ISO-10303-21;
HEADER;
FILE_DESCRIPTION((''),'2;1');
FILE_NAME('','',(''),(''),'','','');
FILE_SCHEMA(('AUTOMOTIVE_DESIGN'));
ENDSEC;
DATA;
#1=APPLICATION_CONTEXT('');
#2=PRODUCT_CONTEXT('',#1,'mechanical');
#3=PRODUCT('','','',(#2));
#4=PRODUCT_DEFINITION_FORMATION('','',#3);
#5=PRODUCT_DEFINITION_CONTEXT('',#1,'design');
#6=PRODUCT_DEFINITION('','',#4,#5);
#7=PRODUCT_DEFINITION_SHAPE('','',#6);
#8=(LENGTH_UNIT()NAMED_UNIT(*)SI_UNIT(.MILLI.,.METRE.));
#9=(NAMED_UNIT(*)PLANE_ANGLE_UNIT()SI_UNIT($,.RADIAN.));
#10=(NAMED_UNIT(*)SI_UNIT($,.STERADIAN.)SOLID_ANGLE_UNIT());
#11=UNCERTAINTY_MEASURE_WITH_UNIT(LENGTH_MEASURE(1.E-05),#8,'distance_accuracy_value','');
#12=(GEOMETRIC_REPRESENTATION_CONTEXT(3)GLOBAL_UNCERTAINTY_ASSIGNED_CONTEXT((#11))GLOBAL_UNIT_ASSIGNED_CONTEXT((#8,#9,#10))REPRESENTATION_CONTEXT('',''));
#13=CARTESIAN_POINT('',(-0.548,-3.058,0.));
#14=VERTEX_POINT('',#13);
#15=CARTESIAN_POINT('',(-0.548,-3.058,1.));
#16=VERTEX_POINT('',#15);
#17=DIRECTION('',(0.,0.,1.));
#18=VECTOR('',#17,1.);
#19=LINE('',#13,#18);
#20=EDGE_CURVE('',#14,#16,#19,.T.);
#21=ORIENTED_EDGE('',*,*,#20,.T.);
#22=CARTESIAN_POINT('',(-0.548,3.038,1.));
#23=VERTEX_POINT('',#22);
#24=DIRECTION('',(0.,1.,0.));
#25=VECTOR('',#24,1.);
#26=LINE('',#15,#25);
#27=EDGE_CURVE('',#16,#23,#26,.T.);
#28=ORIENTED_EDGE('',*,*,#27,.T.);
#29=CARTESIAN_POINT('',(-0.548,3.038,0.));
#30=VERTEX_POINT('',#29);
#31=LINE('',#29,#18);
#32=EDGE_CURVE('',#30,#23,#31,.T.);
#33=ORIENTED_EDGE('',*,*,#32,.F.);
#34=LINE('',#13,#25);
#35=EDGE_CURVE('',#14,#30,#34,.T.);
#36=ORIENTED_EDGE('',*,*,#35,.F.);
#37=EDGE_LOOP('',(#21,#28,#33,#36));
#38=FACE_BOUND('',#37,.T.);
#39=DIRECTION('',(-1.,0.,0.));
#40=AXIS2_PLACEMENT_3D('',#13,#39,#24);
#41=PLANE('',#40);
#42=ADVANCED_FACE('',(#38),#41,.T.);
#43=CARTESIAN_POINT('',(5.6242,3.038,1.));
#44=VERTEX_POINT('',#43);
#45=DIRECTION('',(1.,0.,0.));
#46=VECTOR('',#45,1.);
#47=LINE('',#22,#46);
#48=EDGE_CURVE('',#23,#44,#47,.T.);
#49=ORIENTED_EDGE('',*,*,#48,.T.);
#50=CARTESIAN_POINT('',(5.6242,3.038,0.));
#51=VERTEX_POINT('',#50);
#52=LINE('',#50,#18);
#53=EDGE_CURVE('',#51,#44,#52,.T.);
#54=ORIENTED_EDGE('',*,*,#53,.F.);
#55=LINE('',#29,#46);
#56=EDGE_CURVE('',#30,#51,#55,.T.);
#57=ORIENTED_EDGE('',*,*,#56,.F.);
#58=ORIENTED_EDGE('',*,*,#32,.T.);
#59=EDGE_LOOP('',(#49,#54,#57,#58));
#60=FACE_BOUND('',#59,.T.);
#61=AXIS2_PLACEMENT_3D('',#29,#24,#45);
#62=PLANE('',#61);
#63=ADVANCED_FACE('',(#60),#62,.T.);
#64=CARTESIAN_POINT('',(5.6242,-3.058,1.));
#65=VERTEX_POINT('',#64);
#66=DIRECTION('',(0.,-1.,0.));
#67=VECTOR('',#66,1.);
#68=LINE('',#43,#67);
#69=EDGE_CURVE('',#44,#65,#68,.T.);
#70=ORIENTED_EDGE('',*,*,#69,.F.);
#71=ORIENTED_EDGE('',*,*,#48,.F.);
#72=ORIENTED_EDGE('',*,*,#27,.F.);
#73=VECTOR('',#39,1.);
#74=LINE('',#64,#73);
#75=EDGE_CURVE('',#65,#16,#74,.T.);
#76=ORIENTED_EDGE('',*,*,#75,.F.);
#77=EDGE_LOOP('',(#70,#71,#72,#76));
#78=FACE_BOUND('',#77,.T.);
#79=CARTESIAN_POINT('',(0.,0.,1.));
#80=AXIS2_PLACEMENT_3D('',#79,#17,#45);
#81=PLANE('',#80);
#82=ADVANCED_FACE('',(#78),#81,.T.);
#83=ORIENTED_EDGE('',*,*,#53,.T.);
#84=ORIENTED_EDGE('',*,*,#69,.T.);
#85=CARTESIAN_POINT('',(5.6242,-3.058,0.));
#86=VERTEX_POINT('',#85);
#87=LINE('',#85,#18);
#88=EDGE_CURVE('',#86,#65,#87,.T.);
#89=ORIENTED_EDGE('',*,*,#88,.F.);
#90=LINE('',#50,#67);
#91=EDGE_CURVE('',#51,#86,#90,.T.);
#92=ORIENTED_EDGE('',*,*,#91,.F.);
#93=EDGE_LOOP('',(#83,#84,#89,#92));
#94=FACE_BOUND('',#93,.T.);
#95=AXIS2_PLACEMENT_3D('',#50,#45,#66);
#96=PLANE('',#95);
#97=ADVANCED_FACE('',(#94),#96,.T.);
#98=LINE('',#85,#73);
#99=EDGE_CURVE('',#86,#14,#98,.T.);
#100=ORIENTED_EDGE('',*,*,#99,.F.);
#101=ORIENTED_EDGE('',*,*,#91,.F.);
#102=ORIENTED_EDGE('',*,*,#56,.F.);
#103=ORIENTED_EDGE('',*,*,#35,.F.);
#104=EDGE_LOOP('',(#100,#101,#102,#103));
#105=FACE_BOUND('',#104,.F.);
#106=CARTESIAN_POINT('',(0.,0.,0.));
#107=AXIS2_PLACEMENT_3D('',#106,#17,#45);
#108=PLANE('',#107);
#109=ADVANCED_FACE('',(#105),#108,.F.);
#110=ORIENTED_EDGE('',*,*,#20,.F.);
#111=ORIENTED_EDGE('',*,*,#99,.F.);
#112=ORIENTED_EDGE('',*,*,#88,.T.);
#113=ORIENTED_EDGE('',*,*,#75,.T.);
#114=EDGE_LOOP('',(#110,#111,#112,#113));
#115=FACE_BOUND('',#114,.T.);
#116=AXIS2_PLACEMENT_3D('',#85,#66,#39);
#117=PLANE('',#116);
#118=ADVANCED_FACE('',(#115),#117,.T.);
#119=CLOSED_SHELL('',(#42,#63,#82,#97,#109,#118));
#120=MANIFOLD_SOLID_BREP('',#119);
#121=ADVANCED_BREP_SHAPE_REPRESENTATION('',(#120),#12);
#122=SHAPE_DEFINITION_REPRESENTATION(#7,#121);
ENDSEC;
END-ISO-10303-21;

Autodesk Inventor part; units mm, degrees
ref_plane "YZ Plane" through (0, 0, 0) normal (1, 0, 0) x (0, 1, 0)
ref_plane "XZ Plane" through (0, 0, 0) normal (0, 1, 0) x (-1, 0, 0)
ref_plane "XY Plane" through (0, 0, 0) normal (0, 0, 1) x (1, 0, 0)
sketch "PBTH, S2_PBTH_140" plane through (0, 0, 0) normal (0, 0, 1) x (1, 0, 0)
  line L0 (-0.548, 3.038) -> (5.6242, 3.038)
  line L1 (5.6242, 3.038) -> (5.6242, -3.058)
  line L2 (5.6242, -3.058) -> (-0.548, -3.058)
  line L3 (-0.548, -3.058) -> (-0.548, 3.038)
extrude "Extrusion1" add sketch "PBTH, S2_PBTH_140" along normal blind 1
properties part number "S2_PBTH"
